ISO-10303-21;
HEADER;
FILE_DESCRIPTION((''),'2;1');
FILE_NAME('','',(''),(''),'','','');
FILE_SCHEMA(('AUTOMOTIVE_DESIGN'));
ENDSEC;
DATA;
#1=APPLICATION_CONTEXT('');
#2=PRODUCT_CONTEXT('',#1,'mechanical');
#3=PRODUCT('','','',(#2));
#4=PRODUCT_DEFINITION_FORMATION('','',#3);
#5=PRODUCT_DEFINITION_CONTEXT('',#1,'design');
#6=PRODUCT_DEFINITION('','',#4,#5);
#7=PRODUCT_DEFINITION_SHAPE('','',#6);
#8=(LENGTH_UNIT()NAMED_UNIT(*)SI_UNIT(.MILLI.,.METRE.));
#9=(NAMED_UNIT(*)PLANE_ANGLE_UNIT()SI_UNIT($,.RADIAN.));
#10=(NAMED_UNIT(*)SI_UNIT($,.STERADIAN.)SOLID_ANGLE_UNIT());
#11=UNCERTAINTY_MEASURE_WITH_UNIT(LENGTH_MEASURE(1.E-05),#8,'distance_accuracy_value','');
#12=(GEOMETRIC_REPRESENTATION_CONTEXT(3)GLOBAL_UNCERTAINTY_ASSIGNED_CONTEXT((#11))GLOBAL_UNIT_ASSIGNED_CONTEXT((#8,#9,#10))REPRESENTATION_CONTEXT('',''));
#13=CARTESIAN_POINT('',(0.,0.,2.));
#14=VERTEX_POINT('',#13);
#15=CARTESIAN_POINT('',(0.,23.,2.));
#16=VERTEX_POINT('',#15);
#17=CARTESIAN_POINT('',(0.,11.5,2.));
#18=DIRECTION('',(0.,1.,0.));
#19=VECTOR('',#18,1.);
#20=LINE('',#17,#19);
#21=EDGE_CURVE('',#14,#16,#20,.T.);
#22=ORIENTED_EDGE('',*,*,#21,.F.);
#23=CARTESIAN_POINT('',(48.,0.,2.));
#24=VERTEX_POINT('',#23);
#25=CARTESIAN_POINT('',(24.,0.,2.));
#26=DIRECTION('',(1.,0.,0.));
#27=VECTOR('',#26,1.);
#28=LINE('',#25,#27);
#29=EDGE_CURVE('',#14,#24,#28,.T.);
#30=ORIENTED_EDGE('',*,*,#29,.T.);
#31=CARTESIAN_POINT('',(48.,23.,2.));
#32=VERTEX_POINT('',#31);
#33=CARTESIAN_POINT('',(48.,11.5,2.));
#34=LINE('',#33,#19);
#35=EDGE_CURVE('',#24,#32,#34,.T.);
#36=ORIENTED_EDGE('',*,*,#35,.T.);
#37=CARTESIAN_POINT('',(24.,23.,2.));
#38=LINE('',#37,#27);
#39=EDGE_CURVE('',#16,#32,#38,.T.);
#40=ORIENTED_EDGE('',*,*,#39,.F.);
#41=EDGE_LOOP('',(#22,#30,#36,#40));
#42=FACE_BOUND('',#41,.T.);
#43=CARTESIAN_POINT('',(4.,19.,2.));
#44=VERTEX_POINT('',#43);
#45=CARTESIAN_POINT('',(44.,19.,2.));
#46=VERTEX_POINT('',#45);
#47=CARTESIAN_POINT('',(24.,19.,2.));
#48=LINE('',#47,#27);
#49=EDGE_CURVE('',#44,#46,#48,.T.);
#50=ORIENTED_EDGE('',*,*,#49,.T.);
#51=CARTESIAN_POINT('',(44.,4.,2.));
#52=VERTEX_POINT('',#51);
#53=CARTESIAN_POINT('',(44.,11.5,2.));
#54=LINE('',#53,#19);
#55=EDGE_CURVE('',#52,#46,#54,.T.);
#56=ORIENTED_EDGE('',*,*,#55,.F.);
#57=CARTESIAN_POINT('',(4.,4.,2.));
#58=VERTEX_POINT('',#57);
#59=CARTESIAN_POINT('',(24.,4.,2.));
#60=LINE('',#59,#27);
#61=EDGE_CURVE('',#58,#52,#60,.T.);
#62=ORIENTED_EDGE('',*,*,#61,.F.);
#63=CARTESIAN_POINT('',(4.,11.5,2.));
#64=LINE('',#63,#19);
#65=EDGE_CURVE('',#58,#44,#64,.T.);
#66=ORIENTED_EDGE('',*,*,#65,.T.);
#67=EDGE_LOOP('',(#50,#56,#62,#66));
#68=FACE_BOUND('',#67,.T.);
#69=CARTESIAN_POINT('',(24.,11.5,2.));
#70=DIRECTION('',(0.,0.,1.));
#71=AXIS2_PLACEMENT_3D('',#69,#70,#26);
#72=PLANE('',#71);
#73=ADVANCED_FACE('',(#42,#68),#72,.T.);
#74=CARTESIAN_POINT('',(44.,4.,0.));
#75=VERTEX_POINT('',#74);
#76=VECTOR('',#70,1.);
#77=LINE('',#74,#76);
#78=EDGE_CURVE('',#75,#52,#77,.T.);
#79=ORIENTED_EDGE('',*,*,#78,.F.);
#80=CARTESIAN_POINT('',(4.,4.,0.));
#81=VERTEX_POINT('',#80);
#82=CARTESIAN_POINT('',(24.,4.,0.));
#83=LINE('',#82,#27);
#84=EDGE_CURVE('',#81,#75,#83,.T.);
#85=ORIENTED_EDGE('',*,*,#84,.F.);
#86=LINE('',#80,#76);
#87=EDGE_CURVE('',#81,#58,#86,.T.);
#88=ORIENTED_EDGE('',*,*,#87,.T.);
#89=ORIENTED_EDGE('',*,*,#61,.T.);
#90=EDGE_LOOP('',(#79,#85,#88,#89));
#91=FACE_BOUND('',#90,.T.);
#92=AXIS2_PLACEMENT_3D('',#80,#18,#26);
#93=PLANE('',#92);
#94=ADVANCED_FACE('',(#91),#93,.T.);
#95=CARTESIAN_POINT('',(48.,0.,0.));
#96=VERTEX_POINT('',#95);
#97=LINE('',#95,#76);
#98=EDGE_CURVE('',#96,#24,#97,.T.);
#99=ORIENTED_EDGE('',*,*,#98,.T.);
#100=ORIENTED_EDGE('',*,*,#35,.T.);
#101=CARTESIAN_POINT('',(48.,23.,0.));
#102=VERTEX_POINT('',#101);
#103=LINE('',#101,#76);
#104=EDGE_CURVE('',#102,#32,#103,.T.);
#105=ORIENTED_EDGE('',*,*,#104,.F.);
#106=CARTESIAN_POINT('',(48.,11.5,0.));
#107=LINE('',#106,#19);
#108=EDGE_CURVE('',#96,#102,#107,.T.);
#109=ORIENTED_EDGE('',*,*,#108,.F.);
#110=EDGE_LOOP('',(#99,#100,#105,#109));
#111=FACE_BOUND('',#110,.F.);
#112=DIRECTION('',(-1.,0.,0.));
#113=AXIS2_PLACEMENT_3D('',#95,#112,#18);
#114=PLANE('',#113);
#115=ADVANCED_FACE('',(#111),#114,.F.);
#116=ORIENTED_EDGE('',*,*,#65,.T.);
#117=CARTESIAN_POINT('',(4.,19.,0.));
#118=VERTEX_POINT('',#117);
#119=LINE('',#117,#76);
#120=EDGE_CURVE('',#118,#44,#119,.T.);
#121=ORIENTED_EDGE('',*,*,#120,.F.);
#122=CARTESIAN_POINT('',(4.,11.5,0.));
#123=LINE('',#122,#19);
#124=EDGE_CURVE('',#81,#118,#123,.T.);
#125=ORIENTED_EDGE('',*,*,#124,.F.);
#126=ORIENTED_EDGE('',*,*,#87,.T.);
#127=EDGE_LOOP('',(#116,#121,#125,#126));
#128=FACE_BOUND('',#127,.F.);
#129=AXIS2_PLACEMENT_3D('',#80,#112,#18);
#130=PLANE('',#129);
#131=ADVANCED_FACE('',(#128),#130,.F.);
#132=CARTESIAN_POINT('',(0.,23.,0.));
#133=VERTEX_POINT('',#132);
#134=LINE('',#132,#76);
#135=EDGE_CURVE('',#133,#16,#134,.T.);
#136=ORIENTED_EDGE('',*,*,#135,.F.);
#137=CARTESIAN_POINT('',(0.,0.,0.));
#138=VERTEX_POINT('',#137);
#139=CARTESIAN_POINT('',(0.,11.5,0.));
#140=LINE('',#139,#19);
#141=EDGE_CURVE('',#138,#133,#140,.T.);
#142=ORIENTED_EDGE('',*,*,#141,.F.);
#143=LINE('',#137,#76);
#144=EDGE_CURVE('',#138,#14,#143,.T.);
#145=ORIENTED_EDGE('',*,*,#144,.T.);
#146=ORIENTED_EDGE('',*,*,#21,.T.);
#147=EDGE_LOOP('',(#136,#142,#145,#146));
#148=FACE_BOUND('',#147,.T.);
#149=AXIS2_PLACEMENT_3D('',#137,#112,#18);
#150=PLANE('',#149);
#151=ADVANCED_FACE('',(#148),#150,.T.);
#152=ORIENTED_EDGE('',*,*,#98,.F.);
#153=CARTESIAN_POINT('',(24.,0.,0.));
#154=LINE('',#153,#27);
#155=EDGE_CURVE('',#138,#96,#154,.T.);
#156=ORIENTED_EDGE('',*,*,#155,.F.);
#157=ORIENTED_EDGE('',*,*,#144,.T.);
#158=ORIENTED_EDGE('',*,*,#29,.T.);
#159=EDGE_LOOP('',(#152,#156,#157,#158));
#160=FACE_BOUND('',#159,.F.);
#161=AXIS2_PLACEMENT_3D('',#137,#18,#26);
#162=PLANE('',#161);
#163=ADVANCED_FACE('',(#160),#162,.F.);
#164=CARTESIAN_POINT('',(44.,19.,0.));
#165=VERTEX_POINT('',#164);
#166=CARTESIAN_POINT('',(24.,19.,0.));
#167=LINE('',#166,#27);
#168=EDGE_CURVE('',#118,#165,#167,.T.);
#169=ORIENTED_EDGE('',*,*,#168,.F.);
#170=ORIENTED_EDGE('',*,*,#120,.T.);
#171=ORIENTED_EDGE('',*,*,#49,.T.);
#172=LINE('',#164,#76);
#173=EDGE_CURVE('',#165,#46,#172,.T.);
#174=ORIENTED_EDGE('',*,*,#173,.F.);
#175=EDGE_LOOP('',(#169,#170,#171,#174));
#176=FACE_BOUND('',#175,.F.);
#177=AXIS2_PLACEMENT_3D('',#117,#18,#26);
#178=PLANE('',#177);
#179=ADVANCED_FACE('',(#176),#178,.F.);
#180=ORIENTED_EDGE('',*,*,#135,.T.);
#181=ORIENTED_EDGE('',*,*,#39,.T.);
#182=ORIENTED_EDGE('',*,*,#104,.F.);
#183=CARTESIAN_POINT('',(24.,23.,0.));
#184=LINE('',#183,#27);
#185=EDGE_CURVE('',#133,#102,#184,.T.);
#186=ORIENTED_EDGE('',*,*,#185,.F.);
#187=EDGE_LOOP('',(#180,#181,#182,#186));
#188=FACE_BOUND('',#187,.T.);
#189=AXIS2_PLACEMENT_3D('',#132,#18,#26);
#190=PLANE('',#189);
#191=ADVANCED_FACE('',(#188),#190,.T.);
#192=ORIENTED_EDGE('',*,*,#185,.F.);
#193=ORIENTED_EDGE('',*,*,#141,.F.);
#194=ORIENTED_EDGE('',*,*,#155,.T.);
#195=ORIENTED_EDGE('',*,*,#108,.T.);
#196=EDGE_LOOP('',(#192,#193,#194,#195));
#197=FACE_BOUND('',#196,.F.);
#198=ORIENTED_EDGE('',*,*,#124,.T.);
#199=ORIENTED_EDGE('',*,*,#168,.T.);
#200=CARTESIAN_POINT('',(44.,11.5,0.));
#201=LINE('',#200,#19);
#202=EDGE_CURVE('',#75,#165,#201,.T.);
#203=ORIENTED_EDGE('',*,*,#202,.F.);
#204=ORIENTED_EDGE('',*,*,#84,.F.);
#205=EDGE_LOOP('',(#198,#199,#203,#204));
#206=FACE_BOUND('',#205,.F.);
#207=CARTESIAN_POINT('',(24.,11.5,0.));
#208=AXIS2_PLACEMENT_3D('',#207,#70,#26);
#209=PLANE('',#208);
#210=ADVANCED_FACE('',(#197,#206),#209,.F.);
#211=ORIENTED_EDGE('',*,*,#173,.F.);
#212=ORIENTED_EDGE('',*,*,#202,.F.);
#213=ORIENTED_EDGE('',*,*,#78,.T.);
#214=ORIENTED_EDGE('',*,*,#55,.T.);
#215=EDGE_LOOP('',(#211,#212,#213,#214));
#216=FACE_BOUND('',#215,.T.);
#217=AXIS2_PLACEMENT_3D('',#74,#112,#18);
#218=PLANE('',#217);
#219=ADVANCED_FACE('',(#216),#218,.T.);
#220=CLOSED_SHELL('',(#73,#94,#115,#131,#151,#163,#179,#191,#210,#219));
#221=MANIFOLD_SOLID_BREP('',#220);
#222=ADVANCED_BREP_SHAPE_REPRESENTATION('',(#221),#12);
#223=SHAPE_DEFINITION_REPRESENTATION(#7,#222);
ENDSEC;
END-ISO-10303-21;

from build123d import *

# Parameters (mm, degrees)
SKETCH_W   = 48
SKETCH_H   = 23
SKETCH_W_2 = 40
SKETCH_H_2 = 15
PAD_DEPTH  = 2


with BuildPart() as part:
    # Sketch → Pad (new body)
    with BuildSketch(Plane.XY):
        with Locations((24, 11.5)):
            Rectangle(SKETCH_W, SKETCH_H)
        with Locations((24, 11.5)):
            Rectangle(SKETCH_W_2, SKETCH_H_2, mode=Mode.SUBTRACT)
    extrude(amount=PAD_DEPTH)


solid = part.part
